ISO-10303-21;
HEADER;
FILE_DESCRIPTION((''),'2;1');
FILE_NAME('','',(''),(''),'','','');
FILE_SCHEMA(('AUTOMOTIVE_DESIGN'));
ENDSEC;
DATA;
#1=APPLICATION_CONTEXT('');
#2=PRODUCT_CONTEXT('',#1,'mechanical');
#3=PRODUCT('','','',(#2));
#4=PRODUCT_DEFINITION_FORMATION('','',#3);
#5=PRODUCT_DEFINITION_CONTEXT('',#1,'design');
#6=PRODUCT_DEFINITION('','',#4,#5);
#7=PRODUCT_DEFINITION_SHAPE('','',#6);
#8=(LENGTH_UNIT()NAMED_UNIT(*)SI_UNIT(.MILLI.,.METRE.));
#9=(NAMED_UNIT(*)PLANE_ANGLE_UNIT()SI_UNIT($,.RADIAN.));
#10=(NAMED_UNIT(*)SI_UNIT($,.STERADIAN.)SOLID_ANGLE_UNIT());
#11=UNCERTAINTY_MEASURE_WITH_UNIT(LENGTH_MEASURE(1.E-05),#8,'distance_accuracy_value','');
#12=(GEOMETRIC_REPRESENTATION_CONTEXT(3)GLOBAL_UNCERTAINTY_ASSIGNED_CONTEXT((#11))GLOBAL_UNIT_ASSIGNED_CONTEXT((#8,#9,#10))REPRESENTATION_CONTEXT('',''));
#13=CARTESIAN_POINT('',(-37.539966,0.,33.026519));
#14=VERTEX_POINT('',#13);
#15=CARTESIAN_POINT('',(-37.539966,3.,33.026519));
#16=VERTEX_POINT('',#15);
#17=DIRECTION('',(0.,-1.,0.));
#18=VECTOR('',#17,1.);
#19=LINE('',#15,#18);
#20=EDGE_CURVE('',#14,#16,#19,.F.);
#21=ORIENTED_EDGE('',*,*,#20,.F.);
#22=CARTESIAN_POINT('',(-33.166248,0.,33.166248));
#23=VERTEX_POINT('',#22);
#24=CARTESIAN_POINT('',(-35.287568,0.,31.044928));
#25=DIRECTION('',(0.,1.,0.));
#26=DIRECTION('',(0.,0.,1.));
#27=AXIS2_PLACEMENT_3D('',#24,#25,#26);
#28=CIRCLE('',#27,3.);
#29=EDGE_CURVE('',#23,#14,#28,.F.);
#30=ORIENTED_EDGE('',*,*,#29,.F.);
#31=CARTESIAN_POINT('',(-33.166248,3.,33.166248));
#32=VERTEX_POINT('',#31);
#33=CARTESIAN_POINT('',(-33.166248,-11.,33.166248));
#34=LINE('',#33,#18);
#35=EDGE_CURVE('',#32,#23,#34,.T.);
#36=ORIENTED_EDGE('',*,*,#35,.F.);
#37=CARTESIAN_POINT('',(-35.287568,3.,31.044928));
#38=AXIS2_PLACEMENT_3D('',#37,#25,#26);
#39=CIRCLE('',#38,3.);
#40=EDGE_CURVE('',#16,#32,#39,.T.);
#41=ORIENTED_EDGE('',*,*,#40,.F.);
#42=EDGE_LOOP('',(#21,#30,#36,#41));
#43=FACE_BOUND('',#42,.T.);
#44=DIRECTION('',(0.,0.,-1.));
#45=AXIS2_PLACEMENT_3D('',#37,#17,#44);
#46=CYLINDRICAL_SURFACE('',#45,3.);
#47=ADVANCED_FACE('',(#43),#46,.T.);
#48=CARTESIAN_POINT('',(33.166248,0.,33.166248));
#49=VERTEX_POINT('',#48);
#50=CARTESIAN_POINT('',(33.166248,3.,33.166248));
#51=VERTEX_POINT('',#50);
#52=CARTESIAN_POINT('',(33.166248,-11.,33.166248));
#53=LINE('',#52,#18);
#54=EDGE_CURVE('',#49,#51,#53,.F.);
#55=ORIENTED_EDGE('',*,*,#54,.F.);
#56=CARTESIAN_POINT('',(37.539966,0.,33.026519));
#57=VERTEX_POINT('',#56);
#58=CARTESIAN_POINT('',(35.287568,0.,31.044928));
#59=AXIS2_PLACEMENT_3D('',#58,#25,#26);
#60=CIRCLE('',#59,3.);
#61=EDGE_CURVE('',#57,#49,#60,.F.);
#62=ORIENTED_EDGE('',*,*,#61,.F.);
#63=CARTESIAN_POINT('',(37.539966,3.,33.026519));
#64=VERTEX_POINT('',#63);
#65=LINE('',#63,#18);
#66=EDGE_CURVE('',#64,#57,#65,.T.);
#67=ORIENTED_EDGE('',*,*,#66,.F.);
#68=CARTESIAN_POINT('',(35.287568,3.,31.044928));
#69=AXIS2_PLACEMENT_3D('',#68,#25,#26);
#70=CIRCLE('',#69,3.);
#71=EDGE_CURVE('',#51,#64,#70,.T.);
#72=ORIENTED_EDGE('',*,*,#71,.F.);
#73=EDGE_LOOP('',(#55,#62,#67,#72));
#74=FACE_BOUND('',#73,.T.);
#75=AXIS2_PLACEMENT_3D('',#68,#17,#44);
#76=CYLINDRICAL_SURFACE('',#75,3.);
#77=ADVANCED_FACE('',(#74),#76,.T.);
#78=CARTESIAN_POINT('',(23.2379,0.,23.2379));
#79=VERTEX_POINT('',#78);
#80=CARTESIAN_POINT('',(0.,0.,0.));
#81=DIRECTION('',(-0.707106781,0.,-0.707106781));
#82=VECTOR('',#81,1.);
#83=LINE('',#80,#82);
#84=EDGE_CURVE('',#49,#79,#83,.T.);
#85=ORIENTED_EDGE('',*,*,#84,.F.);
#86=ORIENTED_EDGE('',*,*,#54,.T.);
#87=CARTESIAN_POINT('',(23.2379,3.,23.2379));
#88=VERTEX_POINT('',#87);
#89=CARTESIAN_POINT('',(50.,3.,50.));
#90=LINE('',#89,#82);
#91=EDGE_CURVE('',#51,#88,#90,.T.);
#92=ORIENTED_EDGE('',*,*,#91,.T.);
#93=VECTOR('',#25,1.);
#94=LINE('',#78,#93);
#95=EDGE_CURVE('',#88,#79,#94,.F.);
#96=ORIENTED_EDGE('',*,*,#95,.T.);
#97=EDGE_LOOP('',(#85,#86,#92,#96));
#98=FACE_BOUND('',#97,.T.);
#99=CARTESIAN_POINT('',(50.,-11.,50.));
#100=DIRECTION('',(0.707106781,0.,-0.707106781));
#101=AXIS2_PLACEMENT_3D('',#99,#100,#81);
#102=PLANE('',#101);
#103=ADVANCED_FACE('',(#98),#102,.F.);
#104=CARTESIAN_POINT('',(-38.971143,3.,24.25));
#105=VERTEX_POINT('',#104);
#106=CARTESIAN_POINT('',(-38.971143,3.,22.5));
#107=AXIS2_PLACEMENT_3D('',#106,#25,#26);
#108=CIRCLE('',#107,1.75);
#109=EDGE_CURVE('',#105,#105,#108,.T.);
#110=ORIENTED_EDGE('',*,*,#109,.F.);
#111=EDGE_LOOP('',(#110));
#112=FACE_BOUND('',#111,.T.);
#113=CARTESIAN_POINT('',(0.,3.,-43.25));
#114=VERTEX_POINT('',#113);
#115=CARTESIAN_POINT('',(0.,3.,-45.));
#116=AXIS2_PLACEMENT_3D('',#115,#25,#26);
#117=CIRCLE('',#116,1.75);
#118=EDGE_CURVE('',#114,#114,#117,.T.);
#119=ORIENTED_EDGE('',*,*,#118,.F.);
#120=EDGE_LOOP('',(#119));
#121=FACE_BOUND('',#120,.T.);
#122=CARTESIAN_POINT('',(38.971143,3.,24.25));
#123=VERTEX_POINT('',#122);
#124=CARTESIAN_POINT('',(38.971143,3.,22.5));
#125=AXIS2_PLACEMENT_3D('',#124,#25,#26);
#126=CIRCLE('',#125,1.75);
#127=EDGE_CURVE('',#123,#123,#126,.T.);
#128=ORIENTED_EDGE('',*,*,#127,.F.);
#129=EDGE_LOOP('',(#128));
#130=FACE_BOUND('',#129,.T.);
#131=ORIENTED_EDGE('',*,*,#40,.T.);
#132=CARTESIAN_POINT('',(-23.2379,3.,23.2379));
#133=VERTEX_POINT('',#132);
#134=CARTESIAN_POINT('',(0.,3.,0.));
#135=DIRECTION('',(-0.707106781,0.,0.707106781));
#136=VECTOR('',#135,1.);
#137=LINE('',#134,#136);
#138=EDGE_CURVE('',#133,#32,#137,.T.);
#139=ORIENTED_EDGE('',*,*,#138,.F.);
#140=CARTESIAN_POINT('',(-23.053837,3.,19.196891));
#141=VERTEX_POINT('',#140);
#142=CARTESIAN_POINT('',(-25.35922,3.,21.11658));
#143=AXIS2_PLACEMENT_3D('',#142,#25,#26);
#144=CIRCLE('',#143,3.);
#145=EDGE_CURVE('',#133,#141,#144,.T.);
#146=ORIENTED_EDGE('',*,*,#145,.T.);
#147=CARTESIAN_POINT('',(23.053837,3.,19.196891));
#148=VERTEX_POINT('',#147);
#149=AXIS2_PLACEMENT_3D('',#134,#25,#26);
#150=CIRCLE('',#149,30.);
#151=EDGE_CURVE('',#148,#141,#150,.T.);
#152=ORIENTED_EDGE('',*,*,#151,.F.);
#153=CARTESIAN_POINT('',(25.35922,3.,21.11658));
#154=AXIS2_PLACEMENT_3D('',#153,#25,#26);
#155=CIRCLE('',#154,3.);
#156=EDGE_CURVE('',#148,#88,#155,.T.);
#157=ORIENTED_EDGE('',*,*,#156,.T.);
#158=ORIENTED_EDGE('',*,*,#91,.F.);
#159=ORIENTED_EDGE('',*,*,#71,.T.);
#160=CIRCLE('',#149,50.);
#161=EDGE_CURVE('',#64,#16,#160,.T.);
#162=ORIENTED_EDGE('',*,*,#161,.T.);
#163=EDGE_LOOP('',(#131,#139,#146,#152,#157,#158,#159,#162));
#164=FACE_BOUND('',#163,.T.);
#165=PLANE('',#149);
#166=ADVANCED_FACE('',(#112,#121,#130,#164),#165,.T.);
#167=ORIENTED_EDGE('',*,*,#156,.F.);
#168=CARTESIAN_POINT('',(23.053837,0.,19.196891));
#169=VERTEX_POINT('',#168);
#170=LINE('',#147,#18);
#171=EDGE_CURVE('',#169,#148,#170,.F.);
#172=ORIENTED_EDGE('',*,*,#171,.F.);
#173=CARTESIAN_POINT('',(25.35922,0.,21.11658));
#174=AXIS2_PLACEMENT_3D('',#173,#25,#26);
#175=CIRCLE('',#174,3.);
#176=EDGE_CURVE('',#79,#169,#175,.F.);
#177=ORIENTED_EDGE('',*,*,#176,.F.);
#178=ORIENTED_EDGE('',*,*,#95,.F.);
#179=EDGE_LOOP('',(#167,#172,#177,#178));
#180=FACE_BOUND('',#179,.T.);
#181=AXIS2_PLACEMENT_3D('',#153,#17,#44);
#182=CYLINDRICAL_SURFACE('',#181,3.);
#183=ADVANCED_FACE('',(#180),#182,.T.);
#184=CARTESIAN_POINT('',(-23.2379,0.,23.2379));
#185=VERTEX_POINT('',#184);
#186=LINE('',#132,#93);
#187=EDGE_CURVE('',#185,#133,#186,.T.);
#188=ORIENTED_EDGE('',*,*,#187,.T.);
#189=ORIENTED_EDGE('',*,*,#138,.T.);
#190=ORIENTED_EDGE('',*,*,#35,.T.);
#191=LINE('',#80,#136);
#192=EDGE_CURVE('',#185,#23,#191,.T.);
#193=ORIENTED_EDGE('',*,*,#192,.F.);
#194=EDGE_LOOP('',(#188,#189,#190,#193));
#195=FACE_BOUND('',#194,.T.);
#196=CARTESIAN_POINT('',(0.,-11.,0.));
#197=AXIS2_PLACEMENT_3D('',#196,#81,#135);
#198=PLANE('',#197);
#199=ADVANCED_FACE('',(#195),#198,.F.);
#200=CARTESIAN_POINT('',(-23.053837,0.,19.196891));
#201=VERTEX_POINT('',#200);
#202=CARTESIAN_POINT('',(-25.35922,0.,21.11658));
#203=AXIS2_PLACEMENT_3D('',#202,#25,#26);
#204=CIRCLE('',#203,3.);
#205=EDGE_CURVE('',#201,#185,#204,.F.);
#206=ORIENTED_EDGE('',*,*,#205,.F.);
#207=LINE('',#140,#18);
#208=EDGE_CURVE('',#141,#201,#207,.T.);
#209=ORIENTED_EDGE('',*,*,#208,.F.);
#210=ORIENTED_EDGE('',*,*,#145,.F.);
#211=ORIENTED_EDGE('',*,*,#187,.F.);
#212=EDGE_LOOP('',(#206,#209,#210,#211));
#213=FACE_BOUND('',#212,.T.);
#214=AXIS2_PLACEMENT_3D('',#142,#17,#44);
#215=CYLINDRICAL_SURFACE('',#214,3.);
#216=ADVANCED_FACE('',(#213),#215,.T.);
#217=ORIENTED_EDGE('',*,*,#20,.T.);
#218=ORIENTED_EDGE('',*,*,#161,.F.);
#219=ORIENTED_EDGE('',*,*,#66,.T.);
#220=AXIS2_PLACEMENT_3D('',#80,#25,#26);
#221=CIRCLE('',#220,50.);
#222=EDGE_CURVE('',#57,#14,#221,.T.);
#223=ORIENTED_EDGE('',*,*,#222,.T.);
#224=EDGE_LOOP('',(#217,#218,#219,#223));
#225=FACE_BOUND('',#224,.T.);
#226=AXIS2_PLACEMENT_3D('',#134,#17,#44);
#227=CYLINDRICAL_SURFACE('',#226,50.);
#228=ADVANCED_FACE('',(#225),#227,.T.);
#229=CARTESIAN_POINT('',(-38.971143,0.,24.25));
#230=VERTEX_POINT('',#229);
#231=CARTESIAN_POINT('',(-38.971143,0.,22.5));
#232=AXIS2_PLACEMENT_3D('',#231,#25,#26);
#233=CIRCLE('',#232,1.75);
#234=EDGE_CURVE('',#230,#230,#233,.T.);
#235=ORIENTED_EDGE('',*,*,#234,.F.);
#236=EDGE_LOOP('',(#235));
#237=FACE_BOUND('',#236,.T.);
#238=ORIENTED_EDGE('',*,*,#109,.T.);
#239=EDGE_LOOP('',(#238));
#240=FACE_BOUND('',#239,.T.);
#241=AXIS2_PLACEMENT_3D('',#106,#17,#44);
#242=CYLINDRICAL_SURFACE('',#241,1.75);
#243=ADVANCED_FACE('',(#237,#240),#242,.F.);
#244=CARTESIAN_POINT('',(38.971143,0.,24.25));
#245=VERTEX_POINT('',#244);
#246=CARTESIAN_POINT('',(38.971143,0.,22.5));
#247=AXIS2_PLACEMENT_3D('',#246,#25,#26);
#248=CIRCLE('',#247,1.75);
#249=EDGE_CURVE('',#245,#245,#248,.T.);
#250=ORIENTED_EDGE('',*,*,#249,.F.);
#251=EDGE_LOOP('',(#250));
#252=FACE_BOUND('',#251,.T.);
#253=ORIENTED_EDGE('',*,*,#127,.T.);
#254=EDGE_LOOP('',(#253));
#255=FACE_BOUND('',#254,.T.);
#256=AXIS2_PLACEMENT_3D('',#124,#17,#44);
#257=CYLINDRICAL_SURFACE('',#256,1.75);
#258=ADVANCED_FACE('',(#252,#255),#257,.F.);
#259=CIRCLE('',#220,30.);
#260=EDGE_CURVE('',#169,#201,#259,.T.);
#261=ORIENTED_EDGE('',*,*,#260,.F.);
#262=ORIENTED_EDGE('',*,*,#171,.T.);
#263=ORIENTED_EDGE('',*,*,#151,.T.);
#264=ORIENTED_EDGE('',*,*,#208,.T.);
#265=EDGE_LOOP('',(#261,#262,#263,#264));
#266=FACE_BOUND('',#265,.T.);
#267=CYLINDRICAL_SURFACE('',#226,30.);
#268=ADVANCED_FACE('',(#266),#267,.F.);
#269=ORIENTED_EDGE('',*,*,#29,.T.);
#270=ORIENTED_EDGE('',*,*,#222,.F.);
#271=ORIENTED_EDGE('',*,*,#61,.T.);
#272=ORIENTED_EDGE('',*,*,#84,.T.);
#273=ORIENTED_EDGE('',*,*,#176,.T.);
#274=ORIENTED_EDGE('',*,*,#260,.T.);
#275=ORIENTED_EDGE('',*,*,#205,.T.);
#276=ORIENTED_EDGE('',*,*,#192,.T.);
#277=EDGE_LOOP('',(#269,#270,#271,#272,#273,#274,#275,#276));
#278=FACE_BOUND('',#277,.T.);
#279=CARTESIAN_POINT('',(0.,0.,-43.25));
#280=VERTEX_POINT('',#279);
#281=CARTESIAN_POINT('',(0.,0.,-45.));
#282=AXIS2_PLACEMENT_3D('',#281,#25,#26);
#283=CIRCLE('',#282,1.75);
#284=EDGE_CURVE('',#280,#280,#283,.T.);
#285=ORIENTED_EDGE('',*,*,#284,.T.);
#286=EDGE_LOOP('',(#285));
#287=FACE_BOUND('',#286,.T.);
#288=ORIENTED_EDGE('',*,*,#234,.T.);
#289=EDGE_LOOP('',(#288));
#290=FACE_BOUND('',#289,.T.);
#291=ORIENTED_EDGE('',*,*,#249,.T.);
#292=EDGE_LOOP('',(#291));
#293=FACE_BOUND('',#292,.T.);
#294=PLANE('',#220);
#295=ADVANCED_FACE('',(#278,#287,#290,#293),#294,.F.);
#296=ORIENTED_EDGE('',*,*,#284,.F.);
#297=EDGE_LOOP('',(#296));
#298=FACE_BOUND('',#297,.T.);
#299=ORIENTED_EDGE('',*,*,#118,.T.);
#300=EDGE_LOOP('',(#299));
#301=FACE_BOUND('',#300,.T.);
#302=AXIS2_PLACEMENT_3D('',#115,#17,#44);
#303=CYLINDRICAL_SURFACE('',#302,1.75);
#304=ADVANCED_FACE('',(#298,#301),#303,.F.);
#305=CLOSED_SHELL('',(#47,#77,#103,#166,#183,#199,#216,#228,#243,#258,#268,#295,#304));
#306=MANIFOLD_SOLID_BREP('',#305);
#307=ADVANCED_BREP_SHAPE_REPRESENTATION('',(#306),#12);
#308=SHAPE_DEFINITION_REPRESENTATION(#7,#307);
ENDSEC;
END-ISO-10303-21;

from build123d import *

# Parameters (mm, degrees)
SKETCH1_R           = 50
SKETCH1_R_2         = 30
SKETCH1_R_3         = 1.75
BOSS_EXTRUDE1_DEPTH = 3
CUT_EXTRUDE1_DEPTH  = 14
FILLET1_R           = 3


with BuildPart() as part:
    # Sketch1 → Boss-Extrude1 (new body)
    with BuildSketch(Plane(origin=(0, 0, 0), x_dir=(1, 0, 0), z_dir=(0, 1, 0))):
        with Locations(Location((0, 0, 0), (0, 0, 270))):
            Circle(SKETCH1_R)
        with Locations(Location((0, 0, 0), (0, 0, 270))):
            Circle(SKETCH1_R_2, mode=Mode.SUBTRACT)
        with Locations(Location((0, 45, 0), (0, 0, 270))):
            Circle(SKETCH1_R_3, mode=Mode.SUBTRACT)
        with Locations(Location((38.97114317, -22.5, 0), (0, 0, 270))):
            Circle(SKETCH1_R_3, mode=Mode.SUBTRACT)
        with Locations(Location((-38.97114317, -22.5, 0), (0, 0, 270))):
            Circle(SKETCH1_R_3, mode=Mode.SUBTRACT)
    extrude(amount=BOSS_EXTRUDE1_DEPTH)

    # Sketch2 → Cut-Extrude1 (cut)
    with BuildSketch(Plane(origin=(0, 3, 0), x_dir=(1, 0, 0), z_dir=(0, 1, 0))):
        Polygon((0, 0), (-50, -50), (50, -50), align=None)
    extrude(amount=-CUT_EXTRUDE1_DEPTH, mode=Mode.SUBTRACT)

    # Fillet1
    fillet1_edges = [part.edges().sort_by_distance(p)[0] for p in [
        (-21.213203436, 1.5, 21.213203436),
        (21.213203436, 1.5, 21.213203436),
        (35.355339059, 1.5, 35.355339059),
        (-35.355339059, 1.5, 35.355339059),
    ]]
    fillet(fillet1_edges, radius=FILLET1_R)


solid = part.part
